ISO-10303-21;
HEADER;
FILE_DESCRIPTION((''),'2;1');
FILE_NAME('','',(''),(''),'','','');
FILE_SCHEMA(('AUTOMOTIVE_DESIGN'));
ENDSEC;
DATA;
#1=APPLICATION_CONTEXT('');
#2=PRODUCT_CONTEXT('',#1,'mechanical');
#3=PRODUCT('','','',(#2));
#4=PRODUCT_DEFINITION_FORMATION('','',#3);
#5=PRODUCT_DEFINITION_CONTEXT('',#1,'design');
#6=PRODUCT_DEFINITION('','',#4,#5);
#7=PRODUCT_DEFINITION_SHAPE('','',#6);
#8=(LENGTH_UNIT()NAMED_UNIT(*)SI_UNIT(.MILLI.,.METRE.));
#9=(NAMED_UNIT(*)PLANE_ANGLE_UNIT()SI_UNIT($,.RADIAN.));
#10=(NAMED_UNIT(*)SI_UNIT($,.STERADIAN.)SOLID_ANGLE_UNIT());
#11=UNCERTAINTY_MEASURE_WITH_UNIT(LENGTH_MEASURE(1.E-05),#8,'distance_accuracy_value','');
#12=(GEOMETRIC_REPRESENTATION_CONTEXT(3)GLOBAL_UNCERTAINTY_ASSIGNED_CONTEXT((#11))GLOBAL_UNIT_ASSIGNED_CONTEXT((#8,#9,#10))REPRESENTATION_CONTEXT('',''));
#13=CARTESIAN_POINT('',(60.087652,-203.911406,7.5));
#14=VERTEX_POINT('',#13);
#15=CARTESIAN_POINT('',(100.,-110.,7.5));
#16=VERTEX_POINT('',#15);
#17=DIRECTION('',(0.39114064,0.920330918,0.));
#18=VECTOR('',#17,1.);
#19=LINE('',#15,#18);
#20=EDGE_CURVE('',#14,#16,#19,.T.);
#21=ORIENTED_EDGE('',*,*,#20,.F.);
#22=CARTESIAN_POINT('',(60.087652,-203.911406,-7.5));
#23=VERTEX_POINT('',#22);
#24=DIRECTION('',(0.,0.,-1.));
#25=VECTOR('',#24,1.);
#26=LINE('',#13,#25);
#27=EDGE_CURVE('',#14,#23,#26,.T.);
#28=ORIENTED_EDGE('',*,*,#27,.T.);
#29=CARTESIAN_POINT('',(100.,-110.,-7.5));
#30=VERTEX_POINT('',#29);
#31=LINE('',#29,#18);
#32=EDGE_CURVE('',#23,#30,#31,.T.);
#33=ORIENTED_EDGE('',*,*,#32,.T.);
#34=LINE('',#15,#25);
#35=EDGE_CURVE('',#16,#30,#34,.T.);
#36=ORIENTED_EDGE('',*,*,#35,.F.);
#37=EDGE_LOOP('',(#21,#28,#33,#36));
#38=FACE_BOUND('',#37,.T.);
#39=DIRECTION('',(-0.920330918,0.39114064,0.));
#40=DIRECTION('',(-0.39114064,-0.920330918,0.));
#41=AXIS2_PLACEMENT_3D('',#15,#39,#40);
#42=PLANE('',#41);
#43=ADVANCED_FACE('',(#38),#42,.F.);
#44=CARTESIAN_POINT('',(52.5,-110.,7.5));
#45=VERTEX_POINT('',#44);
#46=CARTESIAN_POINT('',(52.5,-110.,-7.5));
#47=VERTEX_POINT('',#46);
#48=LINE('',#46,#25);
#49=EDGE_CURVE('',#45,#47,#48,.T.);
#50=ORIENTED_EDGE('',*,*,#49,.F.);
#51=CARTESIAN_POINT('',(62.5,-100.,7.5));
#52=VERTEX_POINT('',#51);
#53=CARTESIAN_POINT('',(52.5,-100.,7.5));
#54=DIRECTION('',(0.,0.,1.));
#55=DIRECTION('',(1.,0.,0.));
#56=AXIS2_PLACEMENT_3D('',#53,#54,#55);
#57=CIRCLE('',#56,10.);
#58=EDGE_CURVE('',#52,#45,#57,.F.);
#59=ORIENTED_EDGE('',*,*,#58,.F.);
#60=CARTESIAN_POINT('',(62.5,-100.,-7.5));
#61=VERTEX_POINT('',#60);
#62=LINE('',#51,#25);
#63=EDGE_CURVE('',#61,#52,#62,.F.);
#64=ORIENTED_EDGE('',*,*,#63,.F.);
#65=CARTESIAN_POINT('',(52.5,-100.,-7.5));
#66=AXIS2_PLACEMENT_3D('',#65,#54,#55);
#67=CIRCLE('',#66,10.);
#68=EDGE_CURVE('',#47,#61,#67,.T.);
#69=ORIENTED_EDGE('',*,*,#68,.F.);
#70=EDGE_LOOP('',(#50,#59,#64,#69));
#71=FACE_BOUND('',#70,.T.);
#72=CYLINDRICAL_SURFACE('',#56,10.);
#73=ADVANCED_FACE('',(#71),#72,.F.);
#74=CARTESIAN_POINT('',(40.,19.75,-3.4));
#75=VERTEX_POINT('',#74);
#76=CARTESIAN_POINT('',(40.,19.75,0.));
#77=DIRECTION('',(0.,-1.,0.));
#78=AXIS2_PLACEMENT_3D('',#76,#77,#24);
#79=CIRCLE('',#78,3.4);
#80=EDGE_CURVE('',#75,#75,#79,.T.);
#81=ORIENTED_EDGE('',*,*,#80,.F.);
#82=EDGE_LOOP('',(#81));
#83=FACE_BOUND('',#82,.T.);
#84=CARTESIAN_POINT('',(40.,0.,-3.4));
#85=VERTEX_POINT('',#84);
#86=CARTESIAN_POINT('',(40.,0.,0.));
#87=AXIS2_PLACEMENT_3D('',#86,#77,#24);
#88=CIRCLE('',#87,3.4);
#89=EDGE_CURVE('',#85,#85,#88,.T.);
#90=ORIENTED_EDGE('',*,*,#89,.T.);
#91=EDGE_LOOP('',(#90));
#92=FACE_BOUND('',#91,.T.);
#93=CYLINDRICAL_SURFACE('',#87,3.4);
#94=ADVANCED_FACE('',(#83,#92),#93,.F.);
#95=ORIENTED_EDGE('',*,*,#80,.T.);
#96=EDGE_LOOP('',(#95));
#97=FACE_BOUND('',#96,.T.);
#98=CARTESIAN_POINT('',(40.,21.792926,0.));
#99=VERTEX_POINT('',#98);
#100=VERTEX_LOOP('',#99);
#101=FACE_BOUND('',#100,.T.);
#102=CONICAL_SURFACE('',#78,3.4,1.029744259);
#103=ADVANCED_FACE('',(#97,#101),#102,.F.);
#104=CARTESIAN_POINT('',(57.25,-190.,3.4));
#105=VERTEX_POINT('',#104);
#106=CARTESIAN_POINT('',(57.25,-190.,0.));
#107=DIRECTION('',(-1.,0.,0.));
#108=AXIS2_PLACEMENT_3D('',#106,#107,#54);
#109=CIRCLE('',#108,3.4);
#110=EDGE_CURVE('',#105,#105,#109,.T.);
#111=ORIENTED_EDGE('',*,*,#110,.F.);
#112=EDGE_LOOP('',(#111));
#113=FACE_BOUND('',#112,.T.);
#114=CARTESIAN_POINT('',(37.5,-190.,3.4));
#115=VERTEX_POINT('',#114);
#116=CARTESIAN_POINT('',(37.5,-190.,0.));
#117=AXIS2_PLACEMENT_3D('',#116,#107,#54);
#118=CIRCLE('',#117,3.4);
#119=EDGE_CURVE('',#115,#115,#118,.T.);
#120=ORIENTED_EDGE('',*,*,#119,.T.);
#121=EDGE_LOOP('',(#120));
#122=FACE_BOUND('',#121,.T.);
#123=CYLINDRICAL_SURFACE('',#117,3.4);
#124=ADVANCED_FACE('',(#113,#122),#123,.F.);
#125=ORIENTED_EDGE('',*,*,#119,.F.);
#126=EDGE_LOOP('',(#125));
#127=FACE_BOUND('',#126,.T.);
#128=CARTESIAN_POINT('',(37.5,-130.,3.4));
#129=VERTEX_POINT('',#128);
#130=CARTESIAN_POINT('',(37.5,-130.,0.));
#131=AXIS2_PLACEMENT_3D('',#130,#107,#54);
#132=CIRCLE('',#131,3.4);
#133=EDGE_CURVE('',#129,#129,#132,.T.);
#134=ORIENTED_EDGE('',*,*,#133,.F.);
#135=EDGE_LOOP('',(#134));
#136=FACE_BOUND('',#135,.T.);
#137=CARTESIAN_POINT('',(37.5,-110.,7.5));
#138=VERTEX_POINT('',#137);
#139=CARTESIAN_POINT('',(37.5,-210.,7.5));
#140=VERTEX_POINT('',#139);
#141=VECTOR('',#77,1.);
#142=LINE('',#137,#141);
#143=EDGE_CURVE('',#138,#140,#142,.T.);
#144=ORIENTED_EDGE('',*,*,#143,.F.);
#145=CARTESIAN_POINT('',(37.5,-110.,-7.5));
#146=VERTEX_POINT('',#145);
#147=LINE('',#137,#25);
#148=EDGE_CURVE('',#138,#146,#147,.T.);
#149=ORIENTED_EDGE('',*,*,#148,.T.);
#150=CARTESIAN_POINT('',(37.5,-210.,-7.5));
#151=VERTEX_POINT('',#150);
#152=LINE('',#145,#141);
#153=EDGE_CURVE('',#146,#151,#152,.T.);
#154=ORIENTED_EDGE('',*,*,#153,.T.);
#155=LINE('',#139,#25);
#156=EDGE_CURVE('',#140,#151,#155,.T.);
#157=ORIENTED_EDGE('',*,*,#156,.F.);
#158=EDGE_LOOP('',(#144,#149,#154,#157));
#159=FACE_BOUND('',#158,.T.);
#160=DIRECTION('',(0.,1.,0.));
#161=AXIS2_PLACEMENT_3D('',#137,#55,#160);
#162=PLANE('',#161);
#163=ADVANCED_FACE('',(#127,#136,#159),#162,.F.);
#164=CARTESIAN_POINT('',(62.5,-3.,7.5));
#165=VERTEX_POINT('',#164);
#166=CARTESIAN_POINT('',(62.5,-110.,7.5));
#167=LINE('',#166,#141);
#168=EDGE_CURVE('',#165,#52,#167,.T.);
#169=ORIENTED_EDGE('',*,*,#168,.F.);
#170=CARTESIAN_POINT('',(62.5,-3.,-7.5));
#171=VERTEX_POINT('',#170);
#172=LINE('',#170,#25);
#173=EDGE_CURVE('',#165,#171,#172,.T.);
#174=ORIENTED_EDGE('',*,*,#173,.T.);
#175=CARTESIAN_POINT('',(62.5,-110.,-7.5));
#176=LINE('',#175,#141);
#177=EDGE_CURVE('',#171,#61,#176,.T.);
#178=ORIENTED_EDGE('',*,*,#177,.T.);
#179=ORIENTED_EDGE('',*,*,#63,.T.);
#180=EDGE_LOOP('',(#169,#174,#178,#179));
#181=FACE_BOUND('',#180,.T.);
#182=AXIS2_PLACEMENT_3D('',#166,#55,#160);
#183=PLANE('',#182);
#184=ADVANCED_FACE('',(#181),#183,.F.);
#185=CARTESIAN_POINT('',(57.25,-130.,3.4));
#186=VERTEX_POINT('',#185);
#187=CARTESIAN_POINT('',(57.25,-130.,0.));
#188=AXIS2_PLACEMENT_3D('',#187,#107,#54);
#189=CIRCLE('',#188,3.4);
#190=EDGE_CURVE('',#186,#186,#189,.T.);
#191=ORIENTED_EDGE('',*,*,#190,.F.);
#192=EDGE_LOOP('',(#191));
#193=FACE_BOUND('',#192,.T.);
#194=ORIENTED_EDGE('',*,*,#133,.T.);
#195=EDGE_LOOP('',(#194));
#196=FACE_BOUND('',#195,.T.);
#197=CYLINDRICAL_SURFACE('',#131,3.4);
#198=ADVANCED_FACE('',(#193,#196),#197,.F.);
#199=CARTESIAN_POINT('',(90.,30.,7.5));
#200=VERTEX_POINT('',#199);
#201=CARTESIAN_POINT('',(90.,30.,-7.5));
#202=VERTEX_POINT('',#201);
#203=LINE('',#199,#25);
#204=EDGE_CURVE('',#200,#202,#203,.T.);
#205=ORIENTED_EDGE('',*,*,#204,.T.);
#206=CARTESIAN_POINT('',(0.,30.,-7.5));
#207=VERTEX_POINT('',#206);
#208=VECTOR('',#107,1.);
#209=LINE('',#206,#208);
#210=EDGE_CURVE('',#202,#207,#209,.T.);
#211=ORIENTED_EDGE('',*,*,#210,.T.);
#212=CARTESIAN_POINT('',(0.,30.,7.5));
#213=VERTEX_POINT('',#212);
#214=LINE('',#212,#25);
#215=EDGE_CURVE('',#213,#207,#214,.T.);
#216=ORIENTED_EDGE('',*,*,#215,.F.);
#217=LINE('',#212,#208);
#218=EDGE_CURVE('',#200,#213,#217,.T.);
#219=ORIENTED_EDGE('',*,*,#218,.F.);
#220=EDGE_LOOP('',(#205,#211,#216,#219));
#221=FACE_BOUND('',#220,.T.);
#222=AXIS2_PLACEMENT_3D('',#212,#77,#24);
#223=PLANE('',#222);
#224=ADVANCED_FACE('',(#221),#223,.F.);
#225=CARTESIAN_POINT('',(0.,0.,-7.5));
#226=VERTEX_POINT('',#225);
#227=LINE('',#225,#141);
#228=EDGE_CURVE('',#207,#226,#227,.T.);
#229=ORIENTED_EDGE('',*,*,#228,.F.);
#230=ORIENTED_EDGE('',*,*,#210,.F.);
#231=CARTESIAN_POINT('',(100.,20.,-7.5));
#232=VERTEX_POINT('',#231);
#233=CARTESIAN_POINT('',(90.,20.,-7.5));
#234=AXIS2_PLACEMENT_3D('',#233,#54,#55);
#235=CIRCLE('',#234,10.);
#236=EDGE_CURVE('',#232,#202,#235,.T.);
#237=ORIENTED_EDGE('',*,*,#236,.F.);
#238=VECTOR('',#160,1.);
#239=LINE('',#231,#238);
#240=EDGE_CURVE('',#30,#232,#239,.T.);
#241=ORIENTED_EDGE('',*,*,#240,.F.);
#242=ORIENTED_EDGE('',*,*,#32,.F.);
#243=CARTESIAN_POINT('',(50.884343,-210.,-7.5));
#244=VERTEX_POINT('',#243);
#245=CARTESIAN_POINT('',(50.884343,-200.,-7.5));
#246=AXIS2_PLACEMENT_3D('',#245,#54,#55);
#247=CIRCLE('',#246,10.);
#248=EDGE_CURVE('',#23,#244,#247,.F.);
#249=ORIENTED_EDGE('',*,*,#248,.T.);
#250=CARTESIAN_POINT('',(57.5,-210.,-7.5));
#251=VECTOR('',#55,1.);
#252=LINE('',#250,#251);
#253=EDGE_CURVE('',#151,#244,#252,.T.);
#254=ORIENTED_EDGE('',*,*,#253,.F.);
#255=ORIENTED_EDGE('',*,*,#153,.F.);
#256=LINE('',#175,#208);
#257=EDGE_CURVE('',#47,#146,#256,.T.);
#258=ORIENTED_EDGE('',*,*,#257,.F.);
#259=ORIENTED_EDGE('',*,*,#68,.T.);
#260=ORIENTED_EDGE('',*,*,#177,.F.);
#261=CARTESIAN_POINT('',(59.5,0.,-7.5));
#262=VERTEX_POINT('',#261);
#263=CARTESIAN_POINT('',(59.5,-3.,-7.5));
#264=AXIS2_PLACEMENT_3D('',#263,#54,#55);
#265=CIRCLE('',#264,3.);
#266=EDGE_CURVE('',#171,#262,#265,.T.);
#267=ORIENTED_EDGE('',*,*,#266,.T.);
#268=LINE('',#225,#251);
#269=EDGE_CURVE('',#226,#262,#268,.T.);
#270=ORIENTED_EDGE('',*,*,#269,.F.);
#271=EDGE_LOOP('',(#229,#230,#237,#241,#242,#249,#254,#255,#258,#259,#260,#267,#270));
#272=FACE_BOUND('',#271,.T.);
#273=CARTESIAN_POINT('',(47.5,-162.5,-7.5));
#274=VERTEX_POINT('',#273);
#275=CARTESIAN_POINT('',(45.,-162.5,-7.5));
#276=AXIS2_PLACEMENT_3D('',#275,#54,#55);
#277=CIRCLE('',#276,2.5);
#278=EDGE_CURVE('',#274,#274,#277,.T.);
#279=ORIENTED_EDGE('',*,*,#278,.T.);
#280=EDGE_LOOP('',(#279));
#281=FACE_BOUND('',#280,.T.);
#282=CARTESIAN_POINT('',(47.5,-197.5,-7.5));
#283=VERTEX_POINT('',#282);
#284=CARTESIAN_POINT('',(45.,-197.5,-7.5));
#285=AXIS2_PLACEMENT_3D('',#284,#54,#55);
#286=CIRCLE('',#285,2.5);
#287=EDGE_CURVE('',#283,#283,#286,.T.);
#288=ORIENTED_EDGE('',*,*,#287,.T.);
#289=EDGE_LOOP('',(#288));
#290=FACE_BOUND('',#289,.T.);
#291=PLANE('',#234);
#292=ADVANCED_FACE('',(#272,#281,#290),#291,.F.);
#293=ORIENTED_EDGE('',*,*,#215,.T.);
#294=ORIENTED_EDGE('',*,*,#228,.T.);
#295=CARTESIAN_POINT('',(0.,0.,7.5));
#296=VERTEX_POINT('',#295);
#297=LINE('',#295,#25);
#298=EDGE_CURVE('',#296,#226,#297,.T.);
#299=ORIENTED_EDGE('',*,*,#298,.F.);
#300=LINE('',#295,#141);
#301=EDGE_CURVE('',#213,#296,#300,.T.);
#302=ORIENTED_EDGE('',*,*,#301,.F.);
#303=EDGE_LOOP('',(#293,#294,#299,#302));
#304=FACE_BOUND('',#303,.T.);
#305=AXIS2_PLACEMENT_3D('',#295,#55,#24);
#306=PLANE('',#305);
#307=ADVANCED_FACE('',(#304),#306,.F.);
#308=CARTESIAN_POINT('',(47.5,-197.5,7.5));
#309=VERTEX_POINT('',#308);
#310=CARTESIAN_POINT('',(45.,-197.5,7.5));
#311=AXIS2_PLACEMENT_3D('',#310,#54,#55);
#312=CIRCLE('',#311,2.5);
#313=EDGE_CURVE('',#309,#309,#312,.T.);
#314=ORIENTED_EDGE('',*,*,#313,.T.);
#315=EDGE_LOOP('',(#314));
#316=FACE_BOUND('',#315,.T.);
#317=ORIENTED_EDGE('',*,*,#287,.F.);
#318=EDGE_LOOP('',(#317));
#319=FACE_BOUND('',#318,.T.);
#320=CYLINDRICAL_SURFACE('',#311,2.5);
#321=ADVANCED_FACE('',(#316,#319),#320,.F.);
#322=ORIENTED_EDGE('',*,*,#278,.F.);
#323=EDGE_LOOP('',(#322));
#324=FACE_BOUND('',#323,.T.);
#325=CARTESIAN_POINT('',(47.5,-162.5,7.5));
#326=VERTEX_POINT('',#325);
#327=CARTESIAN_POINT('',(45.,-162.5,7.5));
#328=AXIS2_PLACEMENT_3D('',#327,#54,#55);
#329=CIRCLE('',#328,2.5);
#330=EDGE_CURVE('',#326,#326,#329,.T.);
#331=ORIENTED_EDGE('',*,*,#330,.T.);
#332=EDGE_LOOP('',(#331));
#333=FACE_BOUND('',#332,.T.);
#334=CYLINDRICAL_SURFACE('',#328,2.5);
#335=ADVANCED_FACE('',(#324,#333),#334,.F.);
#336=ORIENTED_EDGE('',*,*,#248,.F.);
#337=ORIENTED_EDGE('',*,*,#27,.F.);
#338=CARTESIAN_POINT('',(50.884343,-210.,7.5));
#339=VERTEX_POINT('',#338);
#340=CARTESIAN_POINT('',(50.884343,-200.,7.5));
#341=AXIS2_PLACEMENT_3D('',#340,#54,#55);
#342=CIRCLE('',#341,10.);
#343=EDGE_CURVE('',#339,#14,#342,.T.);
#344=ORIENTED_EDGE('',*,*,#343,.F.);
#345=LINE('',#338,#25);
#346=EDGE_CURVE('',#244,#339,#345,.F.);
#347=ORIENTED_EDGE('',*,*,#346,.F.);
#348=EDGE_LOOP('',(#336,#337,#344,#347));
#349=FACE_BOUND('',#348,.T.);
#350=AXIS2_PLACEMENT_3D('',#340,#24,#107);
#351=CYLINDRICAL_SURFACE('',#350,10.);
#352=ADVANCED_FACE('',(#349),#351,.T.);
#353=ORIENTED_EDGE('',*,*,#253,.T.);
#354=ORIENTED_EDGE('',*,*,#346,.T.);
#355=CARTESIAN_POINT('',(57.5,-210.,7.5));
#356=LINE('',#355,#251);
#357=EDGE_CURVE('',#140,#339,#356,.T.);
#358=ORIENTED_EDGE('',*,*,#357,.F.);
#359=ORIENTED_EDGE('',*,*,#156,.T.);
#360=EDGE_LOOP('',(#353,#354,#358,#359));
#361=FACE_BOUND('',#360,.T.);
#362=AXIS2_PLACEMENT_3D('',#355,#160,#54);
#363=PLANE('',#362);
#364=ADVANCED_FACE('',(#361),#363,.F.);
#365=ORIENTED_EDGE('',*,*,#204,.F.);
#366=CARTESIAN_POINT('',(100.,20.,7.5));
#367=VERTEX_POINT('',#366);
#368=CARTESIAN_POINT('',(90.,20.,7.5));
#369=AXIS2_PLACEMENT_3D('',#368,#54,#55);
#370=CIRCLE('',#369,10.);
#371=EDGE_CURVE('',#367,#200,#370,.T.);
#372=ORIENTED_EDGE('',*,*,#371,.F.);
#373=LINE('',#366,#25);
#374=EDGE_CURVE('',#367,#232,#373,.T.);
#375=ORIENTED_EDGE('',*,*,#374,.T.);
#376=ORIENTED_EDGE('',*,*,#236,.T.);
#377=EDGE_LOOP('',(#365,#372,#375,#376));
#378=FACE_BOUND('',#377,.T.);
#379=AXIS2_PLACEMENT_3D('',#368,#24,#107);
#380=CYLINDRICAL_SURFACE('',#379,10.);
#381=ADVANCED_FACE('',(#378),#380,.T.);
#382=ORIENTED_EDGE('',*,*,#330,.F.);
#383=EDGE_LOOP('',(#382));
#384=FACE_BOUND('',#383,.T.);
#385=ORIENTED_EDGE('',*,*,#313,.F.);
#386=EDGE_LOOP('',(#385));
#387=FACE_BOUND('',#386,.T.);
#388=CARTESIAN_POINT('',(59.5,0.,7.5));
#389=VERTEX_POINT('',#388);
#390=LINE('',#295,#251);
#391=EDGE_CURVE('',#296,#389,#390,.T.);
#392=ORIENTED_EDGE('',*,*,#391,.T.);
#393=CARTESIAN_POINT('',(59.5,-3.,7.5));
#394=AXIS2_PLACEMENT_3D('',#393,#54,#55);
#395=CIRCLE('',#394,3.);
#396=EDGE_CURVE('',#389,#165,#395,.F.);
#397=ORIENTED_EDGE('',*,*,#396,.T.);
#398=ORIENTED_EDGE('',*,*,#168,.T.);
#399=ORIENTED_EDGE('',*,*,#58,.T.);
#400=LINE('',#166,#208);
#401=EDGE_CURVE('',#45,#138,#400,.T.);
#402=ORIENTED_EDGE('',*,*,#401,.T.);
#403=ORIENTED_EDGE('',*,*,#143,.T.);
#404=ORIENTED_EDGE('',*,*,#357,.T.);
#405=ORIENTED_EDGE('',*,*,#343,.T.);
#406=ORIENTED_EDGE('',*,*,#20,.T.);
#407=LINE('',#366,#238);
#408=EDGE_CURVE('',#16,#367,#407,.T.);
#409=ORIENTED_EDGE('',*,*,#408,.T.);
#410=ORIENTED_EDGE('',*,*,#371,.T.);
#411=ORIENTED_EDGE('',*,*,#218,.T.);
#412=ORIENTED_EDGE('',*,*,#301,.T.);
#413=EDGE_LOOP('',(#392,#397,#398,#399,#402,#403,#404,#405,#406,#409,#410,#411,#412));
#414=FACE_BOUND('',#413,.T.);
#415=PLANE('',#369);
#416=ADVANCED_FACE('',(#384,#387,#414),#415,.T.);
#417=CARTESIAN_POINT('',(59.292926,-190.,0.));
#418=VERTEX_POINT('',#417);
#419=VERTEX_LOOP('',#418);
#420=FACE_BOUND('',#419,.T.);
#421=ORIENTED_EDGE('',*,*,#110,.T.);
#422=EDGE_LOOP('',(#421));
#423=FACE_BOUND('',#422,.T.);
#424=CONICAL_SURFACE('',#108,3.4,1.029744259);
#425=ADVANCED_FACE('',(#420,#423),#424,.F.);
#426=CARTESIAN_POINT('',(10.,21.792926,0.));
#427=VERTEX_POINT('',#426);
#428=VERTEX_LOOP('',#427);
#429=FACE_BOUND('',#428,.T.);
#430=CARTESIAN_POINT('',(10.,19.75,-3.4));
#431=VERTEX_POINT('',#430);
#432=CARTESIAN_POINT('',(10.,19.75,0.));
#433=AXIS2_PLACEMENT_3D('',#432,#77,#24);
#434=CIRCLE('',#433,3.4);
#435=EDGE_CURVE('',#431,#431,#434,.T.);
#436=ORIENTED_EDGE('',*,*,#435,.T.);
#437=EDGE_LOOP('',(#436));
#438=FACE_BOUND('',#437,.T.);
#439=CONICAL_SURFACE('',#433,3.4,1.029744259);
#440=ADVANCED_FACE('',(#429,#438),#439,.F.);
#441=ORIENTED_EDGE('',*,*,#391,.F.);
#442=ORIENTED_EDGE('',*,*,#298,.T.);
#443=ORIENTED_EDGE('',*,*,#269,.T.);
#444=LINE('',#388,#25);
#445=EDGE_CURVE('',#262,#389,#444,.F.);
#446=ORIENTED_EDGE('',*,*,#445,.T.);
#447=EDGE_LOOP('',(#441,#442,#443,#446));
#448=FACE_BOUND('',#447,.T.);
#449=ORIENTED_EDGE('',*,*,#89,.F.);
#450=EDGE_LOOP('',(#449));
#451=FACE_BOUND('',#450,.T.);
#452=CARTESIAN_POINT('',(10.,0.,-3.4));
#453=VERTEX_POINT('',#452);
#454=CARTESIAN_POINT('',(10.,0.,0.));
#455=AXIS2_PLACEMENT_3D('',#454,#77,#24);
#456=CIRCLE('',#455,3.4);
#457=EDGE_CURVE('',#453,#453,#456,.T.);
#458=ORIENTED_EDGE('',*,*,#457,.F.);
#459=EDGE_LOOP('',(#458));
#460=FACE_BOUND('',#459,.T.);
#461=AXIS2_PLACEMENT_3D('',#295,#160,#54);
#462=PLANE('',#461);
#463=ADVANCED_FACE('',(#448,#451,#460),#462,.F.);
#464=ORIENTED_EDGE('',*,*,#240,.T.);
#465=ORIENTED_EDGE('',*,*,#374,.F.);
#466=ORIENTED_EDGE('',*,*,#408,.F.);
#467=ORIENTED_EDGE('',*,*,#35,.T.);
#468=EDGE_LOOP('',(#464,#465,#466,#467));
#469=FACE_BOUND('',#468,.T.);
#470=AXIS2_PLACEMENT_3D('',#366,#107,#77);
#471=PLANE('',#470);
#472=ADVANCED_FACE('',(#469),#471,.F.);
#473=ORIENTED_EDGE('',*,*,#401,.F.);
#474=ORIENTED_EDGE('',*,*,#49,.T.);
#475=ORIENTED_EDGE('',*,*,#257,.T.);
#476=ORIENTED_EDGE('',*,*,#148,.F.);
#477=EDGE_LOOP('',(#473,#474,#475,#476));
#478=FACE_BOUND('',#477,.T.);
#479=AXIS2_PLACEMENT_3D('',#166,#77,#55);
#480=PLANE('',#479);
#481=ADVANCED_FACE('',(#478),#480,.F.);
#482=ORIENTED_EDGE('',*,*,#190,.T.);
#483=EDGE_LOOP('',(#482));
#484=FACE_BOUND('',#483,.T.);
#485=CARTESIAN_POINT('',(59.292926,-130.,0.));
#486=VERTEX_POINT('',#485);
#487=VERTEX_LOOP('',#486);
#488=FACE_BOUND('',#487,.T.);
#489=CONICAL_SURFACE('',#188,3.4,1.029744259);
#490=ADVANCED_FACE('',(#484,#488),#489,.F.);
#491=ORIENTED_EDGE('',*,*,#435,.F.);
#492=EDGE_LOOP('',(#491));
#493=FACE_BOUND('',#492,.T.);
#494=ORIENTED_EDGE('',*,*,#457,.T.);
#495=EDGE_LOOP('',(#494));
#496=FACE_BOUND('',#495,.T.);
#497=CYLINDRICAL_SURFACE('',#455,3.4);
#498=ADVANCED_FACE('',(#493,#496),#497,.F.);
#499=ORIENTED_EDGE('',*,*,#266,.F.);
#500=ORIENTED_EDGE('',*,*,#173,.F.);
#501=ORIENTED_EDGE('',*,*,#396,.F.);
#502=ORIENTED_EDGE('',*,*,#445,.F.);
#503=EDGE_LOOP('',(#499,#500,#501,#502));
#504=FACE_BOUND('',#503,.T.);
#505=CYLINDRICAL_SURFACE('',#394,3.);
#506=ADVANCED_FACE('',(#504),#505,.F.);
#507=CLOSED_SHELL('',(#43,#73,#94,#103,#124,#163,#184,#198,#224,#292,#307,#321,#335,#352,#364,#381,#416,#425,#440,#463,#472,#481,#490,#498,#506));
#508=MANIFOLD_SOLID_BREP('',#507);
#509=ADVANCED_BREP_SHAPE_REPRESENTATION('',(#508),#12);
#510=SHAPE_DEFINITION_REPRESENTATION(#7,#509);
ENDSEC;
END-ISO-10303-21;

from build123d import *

# Parameters (mm, degrees)
EXTRUDE_1_DEPTH        = 7.5
HOLE_WIZARD_M8_1_D     = 6.8
HOLE_WIZARD_M8_1_DEPTH = 19.75
HOLE_WIZARD_M8_1_TIP   = 2.042926105
HOLE_WIZARD_M8_2_D     = 6.8
HOLE_WIZARD_M8_2_DEPTH = 19.75
HOLE_WIZARD_M8_2_TIP   = 2.042926105
FILLET_1_R             = 10
FILLET_2_R             = 3
HOLE_WIZARD_M6_1_D     = 5


with BuildPart() as part:
    # 草图1 → 凸台-拉伸1 (new body, symmetric)
    with BuildSketch(Plane.XY):
        with BuildLine():
            Line((0, 0), (0, 30))
            Line((0, 30), (90, 30))
            ThreePointArc((90, 30), (97.071067812, 27.071067812), (100, 20))
            Line((100, 20), (100, -110))
            Line((100, -110), (57.5, -210))
            Line((57.5, -210), (37.5, -210))
            Line((37.5, -210), (37.5, -110))
            Line((37.5, -110), (62.5, -110))
            Line((62.5, -110), (62.5, 0))
            Line((62.5, 0), (0, 0))
        make_face()
    extrude(amount=EXTRUDE_1_DEPTH, both=True)

    # M8 螺纹孔1
    with Locations(Plane(origin=(0, 0, 0), x_dir=(-1, 0, 0), z_dir=(0, -1, 0))):
        with Locations((-40, 0), (-10, 0)):
            Hole(HOLE_WIZARD_M8_1_D / 2, depth=HOLE_WIZARD_M8_1_DEPTH)
            with Locations((0, 0, -(HOLE_WIZARD_M8_1_DEPTH + HOLE_WIZARD_M8_1_TIP / 2))):  # 118° drill point
                Cone(0, HOLE_WIZARD_M8_1_D / 2, HOLE_WIZARD_M8_1_TIP, mode=Mode.SUBTRACT)

    # M8 螺纹孔2
    with Locations(Plane.ZY.offset(-37.5)):
        with Locations((0, -130), (0, -190)):
            Hole(HOLE_WIZARD_M8_2_D / 2, depth=HOLE_WIZARD_M8_2_DEPTH)
            with Locations((0, 0, -(HOLE_WIZARD_M8_2_DEPTH + HOLE_WIZARD_M8_2_TIP / 2))):  # 118° drill point
                Cone(0, HOLE_WIZARD_M8_2_D / 2, HOLE_WIZARD_M8_2_TIP, mode=Mode.SUBTRACT)

    # 圆角1
    fillet_1_edges = [part.edges().sort_by_distance(p)[0] for p in [
        (57.5, -210, 0),
        (62.5, -110, 0),
    ]]
    fillet(fillet_1_edges, radius=FILLET_1_R)

    # 圆角2
    fillet_2_edges = [part.edges().sort_by_distance(p)[0] for p in [
        (62.5, 0, 0),
    ]]
    fillet(fillet_2_edges, radius=FILLET_2_R)

    # M6 螺纹孔1 (through all)
    with Locations(Plane(origin=(45, -162.5, 7.5), x_dir=(1, 0, 0), z_dir=(0, 0, 1))):
        with Locations((0, 0), (0, -35)):
            Hole(HOLE_WIZARD_M6_1_D / 2)


solid = part.part
